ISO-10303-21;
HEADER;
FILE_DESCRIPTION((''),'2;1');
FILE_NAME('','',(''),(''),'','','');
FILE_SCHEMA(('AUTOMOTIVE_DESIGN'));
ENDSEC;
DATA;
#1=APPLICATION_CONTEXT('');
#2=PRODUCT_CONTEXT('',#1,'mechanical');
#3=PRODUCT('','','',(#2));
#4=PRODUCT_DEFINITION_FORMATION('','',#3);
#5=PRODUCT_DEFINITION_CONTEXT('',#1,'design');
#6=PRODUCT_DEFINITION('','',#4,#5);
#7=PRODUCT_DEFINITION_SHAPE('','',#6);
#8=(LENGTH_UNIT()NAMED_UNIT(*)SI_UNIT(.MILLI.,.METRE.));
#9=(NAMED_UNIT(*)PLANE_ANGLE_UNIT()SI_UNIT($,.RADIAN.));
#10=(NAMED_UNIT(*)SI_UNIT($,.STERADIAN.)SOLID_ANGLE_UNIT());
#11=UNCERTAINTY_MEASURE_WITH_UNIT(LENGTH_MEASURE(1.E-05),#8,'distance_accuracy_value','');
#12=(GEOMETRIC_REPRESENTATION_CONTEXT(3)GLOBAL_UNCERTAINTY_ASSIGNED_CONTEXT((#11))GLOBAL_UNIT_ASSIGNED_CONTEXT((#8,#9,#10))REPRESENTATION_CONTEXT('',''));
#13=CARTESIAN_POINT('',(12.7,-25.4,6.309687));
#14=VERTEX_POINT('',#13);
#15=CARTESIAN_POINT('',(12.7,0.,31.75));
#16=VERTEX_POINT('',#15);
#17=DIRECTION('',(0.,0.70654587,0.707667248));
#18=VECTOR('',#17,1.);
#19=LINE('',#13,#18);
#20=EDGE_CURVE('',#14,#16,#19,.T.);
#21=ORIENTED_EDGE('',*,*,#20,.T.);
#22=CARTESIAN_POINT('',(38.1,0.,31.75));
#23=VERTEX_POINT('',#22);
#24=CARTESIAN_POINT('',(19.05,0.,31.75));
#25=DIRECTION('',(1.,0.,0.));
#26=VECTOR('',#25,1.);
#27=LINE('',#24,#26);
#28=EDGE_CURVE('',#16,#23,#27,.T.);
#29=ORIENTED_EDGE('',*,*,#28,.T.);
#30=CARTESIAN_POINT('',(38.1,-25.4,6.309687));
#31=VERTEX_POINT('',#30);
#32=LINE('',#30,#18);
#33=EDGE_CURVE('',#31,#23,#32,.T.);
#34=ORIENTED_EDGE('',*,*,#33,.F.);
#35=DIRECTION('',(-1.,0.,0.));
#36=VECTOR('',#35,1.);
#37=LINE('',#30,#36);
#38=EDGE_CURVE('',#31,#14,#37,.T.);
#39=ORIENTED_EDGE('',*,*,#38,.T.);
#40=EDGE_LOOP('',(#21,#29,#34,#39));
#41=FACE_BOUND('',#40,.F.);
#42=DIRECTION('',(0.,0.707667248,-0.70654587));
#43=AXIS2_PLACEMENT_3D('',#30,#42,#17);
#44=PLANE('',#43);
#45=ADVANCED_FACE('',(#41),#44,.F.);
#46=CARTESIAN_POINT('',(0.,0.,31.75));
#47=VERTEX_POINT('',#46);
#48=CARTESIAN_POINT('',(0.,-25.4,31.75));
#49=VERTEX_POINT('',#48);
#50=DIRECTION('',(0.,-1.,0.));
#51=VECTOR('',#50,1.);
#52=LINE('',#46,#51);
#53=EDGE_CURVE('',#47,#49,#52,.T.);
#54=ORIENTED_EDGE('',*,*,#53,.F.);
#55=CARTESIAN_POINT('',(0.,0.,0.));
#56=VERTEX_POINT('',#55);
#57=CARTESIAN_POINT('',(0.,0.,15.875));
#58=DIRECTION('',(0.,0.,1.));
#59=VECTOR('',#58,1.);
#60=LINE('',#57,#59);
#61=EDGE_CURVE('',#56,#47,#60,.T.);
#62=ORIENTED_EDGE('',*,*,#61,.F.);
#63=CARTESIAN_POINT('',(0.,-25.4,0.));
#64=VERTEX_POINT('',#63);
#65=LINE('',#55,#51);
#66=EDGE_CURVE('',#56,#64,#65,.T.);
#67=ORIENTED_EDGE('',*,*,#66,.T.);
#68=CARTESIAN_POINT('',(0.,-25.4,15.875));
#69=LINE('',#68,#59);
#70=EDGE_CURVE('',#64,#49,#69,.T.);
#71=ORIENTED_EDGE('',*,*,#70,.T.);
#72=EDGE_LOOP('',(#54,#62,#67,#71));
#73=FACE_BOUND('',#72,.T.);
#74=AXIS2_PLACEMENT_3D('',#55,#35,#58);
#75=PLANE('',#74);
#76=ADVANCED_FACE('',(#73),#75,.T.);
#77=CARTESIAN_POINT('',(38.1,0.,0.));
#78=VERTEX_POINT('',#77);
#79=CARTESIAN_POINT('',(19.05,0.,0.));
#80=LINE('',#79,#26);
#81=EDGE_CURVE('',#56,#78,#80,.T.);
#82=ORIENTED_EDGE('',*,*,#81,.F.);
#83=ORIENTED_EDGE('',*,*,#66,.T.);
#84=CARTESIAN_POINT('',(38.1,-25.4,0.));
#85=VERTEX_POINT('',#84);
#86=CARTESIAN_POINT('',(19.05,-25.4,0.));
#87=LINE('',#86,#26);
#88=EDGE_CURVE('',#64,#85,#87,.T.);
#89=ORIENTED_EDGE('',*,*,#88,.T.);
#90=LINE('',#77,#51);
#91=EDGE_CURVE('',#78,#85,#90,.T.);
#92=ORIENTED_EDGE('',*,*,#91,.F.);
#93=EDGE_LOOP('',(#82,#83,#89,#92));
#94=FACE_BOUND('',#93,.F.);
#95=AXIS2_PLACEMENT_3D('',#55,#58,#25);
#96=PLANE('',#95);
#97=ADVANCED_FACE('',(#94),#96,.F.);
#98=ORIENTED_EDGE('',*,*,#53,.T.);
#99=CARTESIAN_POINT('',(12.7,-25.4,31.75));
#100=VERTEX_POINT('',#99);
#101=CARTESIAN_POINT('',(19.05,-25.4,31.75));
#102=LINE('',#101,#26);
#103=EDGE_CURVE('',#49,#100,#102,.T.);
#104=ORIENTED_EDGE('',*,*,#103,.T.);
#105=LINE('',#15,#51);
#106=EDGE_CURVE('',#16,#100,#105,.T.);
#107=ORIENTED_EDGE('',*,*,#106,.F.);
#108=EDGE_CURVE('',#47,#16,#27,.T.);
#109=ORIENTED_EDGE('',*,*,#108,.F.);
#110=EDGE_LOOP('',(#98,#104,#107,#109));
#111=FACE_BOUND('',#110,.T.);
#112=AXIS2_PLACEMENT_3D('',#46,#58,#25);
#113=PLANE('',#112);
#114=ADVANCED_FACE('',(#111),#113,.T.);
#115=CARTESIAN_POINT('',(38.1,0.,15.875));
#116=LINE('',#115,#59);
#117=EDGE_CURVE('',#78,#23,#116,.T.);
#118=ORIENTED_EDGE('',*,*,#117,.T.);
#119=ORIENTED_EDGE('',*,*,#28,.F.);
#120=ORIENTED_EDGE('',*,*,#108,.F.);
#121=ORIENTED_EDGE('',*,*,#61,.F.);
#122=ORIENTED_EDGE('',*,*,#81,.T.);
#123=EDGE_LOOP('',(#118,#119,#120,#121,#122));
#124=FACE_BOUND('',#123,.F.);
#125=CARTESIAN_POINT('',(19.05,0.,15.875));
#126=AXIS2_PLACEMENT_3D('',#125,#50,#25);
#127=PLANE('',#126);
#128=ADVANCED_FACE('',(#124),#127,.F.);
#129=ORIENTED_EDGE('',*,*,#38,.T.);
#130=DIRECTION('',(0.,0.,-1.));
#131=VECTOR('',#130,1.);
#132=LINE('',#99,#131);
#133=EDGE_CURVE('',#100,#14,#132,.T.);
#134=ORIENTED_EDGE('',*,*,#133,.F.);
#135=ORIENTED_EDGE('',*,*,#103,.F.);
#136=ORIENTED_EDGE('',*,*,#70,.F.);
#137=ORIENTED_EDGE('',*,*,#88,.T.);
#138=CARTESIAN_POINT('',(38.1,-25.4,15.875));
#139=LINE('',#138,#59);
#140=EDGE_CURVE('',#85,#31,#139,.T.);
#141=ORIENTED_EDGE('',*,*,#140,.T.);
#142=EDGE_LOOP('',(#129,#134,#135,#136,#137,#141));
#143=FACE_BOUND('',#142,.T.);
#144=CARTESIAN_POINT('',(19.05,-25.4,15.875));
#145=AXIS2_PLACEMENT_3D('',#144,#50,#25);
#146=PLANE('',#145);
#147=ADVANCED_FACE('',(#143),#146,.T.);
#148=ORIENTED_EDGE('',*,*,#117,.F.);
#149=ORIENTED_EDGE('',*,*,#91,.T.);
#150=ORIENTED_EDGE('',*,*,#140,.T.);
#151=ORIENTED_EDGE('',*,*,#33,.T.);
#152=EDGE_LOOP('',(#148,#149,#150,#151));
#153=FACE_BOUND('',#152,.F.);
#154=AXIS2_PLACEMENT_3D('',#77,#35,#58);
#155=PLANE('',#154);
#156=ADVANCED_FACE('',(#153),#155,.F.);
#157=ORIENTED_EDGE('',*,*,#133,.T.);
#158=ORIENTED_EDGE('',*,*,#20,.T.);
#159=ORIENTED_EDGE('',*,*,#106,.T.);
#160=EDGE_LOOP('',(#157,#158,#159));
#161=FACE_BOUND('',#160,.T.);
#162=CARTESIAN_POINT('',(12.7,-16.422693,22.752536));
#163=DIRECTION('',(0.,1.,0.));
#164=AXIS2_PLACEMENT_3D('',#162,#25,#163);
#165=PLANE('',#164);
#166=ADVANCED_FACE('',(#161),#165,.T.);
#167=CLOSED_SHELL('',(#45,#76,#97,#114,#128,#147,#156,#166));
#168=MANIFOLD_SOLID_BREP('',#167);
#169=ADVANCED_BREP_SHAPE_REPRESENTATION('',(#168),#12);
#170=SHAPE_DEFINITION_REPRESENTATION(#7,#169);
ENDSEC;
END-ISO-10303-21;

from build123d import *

# Parameters (mm, degrees)
F0_W     = 38.1
F0_H     = 31.75
F1_DEPTH = 25.4
F3_DEPTH = 25.4


with BuildPart() as f1:
    # F0 (on Front) → F1 (new body)
    with BuildSketch(Plane.XZ):
        with Locations((19.05, 15.875)):
            Rectangle(F0_W, F0_H)
    extrude(amount=F1_DEPTH)

    # F2 (on face) → F3 (cut)
    with BuildSketch(Plane.YZ.offset(38.1)):
        Polygon((-25.4, 6.309687), (0, 31.75), (-8.660507, 31.75), (-25.4, 31.75), align=None)
    extrude(amount=-F3_DEPTH, mode=Mode.SUBTRACT)


solid = f1.part
